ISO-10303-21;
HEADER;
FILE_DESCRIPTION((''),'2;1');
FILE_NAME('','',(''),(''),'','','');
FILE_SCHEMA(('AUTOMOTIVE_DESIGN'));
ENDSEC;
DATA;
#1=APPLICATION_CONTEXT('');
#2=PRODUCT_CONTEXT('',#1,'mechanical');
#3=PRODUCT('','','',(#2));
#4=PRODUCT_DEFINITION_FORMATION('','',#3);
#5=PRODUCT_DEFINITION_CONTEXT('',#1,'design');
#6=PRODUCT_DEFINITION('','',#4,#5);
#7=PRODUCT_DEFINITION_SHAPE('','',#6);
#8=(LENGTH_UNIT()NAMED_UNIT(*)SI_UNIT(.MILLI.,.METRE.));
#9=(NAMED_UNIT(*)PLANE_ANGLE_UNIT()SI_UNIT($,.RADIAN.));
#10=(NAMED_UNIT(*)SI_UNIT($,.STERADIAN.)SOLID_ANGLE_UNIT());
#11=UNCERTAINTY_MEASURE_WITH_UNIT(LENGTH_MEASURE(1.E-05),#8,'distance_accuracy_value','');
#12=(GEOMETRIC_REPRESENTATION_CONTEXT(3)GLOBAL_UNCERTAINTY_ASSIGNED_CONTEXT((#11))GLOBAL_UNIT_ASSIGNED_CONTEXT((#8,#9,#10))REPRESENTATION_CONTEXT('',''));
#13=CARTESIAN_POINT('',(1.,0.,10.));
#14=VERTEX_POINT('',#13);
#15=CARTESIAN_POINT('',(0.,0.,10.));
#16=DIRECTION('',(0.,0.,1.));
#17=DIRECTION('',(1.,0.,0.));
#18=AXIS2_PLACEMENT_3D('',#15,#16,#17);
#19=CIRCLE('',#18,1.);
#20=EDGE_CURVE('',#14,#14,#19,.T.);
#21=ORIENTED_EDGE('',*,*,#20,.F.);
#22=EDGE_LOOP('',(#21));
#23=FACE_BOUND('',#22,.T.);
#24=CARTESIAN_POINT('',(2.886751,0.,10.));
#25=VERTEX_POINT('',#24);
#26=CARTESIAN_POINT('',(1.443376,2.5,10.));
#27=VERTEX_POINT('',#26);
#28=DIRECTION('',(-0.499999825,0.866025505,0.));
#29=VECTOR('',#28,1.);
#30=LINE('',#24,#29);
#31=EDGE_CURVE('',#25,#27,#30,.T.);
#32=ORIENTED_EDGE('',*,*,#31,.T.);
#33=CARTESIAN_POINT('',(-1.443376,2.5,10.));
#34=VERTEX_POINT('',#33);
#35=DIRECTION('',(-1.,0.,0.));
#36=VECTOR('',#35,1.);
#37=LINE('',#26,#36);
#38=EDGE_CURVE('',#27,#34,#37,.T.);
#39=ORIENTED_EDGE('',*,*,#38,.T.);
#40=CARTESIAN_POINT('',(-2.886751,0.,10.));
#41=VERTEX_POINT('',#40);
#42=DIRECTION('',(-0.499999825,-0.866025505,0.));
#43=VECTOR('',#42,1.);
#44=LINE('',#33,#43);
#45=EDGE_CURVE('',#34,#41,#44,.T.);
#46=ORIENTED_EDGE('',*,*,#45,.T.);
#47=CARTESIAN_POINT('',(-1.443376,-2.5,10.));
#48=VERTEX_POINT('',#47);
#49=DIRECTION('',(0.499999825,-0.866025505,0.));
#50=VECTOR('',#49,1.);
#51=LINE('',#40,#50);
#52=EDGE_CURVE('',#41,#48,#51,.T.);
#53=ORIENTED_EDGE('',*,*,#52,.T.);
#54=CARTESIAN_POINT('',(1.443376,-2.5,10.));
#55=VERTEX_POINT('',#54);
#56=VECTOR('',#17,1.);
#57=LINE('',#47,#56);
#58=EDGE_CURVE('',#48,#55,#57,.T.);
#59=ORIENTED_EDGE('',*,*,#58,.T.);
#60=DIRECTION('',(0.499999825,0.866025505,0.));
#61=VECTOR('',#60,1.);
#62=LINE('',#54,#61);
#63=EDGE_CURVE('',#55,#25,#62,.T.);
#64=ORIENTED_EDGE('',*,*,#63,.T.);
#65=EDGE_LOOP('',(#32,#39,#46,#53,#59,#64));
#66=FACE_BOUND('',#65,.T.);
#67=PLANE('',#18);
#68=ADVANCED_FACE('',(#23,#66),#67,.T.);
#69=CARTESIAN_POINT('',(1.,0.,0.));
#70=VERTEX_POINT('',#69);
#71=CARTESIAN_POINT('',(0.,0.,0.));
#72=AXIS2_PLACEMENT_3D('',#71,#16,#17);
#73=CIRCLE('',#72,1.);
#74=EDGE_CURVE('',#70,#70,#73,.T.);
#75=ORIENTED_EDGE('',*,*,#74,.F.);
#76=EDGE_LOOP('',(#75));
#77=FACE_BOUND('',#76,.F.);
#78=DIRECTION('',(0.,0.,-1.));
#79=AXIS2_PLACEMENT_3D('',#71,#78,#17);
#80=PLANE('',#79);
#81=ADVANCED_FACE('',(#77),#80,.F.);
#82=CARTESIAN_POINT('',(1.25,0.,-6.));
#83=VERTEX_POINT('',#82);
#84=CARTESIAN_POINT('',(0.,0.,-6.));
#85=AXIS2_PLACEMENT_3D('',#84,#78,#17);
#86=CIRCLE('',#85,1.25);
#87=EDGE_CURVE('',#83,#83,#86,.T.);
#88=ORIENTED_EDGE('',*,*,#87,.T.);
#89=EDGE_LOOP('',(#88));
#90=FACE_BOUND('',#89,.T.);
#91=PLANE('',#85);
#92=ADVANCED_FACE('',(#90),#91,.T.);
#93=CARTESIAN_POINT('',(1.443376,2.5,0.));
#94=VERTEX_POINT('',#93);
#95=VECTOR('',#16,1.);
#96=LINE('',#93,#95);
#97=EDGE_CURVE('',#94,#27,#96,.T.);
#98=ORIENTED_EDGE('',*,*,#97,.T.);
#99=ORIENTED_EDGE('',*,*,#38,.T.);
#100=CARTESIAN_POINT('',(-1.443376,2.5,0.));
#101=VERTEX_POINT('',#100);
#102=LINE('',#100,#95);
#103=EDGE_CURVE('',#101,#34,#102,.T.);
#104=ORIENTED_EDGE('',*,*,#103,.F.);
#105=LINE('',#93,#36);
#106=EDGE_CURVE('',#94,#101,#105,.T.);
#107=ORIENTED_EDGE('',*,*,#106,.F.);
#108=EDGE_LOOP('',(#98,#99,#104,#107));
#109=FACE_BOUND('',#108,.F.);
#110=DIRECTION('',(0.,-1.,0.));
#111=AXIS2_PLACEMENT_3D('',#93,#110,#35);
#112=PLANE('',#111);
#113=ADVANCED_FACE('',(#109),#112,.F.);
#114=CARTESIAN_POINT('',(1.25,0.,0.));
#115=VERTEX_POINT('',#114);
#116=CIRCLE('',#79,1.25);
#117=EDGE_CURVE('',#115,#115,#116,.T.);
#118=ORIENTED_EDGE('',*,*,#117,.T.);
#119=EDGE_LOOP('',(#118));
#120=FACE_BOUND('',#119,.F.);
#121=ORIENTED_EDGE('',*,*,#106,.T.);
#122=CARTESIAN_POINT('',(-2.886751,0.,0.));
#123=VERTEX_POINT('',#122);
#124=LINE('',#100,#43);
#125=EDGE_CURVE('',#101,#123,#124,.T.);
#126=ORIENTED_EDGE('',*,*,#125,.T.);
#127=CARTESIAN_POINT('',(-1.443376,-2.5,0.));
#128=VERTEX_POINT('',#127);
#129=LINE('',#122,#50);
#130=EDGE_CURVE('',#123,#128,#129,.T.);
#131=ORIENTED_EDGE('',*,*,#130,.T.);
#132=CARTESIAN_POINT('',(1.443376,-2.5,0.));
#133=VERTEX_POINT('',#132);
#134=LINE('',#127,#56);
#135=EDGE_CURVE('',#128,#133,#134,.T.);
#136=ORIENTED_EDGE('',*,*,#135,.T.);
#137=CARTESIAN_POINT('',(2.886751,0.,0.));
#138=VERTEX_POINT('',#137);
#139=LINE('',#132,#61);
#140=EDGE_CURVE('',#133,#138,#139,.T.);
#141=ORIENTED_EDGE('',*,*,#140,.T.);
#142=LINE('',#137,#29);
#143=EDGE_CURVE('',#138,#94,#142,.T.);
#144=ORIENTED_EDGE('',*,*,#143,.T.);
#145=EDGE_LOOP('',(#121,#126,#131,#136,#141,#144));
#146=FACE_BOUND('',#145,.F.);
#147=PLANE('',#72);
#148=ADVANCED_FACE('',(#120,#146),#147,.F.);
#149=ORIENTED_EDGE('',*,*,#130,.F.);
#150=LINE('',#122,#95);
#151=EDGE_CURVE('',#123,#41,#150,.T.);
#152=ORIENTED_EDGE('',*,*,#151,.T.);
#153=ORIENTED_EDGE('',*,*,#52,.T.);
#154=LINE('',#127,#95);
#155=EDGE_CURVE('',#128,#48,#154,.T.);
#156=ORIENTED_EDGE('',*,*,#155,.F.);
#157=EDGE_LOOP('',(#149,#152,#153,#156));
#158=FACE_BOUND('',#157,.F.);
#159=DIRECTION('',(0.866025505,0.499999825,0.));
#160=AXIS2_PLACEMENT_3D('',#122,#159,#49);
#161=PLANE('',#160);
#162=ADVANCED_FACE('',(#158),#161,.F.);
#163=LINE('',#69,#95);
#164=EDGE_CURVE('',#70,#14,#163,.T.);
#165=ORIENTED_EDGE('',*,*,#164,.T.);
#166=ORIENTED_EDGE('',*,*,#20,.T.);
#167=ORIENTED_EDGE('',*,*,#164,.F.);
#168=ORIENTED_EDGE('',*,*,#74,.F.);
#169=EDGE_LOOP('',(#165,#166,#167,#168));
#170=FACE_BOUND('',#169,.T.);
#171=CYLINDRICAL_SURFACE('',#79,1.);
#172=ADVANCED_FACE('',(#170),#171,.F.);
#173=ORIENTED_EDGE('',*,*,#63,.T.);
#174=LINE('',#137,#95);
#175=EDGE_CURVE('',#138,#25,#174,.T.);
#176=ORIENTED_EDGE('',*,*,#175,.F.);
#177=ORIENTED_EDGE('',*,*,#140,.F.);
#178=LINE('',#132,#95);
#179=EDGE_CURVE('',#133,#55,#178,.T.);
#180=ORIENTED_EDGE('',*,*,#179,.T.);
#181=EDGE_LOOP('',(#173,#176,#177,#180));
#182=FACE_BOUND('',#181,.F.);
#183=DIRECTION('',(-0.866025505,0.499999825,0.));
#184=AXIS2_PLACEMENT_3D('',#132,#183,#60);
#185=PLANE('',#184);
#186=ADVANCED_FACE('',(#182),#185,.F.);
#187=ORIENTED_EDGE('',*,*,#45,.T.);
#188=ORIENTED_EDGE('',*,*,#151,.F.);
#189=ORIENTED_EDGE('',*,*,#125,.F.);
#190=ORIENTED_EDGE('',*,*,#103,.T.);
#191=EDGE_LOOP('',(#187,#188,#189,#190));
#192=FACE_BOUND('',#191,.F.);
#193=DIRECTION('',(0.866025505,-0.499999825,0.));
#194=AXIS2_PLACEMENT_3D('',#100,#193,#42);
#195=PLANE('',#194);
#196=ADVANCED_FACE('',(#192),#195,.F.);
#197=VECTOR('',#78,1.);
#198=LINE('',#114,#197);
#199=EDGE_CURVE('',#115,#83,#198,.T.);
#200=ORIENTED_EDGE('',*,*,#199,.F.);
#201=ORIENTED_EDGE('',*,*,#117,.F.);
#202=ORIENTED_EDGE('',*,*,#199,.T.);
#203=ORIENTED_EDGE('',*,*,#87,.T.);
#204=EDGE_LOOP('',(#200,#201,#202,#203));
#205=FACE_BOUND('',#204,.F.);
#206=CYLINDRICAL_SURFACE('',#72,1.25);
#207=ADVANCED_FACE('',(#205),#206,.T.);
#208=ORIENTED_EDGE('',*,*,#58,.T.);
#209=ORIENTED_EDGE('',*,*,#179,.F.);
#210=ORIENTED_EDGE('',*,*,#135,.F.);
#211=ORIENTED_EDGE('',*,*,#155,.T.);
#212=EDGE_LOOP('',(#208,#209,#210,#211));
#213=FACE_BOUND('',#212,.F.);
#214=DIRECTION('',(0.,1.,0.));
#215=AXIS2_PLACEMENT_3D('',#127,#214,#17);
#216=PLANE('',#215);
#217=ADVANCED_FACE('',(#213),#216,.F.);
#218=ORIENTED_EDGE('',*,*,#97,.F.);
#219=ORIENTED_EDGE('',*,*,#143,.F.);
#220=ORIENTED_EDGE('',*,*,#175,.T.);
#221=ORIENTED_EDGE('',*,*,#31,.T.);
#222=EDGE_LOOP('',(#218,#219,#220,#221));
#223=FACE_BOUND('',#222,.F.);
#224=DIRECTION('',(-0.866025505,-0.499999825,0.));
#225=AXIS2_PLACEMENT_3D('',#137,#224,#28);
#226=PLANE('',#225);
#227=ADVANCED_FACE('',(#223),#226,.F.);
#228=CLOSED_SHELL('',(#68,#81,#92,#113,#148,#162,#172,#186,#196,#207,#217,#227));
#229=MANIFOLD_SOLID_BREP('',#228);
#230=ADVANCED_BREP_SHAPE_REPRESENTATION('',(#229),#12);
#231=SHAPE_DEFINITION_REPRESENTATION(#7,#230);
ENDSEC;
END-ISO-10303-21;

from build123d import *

# Parameters (mm, degrees)
SKETCH_R     = 1
PAD_DEPTH    = 10
SKETCH001_R  = 1.25
PAD001_DEPTH = 6


with BuildPart() as part:
    # Sketch → Pad (new body)
    with BuildSketch(Plane.XY):
        Polygon((1.443376, -2.5), (2.886751, 0), (1.443376, 2.5), (-1.443376, 2.5), (-2.886751, 0), (-1.443376, -2.5), align=None)
        Circle(SKETCH_R, mode=Mode.SUBTRACT)
    extrude(amount=PAD_DEPTH)

    # Sketch001 (on Face8 of Pad) → Pad001 (join)
    with BuildSketch(Plane(origin=(0, 0, 0), x_dir=(1, 0, 0), z_dir=(0, 0, -1))):
        Circle(SKETCH001_R)
    extrude(amount=PAD001_DEPTH)


solid = part.part
